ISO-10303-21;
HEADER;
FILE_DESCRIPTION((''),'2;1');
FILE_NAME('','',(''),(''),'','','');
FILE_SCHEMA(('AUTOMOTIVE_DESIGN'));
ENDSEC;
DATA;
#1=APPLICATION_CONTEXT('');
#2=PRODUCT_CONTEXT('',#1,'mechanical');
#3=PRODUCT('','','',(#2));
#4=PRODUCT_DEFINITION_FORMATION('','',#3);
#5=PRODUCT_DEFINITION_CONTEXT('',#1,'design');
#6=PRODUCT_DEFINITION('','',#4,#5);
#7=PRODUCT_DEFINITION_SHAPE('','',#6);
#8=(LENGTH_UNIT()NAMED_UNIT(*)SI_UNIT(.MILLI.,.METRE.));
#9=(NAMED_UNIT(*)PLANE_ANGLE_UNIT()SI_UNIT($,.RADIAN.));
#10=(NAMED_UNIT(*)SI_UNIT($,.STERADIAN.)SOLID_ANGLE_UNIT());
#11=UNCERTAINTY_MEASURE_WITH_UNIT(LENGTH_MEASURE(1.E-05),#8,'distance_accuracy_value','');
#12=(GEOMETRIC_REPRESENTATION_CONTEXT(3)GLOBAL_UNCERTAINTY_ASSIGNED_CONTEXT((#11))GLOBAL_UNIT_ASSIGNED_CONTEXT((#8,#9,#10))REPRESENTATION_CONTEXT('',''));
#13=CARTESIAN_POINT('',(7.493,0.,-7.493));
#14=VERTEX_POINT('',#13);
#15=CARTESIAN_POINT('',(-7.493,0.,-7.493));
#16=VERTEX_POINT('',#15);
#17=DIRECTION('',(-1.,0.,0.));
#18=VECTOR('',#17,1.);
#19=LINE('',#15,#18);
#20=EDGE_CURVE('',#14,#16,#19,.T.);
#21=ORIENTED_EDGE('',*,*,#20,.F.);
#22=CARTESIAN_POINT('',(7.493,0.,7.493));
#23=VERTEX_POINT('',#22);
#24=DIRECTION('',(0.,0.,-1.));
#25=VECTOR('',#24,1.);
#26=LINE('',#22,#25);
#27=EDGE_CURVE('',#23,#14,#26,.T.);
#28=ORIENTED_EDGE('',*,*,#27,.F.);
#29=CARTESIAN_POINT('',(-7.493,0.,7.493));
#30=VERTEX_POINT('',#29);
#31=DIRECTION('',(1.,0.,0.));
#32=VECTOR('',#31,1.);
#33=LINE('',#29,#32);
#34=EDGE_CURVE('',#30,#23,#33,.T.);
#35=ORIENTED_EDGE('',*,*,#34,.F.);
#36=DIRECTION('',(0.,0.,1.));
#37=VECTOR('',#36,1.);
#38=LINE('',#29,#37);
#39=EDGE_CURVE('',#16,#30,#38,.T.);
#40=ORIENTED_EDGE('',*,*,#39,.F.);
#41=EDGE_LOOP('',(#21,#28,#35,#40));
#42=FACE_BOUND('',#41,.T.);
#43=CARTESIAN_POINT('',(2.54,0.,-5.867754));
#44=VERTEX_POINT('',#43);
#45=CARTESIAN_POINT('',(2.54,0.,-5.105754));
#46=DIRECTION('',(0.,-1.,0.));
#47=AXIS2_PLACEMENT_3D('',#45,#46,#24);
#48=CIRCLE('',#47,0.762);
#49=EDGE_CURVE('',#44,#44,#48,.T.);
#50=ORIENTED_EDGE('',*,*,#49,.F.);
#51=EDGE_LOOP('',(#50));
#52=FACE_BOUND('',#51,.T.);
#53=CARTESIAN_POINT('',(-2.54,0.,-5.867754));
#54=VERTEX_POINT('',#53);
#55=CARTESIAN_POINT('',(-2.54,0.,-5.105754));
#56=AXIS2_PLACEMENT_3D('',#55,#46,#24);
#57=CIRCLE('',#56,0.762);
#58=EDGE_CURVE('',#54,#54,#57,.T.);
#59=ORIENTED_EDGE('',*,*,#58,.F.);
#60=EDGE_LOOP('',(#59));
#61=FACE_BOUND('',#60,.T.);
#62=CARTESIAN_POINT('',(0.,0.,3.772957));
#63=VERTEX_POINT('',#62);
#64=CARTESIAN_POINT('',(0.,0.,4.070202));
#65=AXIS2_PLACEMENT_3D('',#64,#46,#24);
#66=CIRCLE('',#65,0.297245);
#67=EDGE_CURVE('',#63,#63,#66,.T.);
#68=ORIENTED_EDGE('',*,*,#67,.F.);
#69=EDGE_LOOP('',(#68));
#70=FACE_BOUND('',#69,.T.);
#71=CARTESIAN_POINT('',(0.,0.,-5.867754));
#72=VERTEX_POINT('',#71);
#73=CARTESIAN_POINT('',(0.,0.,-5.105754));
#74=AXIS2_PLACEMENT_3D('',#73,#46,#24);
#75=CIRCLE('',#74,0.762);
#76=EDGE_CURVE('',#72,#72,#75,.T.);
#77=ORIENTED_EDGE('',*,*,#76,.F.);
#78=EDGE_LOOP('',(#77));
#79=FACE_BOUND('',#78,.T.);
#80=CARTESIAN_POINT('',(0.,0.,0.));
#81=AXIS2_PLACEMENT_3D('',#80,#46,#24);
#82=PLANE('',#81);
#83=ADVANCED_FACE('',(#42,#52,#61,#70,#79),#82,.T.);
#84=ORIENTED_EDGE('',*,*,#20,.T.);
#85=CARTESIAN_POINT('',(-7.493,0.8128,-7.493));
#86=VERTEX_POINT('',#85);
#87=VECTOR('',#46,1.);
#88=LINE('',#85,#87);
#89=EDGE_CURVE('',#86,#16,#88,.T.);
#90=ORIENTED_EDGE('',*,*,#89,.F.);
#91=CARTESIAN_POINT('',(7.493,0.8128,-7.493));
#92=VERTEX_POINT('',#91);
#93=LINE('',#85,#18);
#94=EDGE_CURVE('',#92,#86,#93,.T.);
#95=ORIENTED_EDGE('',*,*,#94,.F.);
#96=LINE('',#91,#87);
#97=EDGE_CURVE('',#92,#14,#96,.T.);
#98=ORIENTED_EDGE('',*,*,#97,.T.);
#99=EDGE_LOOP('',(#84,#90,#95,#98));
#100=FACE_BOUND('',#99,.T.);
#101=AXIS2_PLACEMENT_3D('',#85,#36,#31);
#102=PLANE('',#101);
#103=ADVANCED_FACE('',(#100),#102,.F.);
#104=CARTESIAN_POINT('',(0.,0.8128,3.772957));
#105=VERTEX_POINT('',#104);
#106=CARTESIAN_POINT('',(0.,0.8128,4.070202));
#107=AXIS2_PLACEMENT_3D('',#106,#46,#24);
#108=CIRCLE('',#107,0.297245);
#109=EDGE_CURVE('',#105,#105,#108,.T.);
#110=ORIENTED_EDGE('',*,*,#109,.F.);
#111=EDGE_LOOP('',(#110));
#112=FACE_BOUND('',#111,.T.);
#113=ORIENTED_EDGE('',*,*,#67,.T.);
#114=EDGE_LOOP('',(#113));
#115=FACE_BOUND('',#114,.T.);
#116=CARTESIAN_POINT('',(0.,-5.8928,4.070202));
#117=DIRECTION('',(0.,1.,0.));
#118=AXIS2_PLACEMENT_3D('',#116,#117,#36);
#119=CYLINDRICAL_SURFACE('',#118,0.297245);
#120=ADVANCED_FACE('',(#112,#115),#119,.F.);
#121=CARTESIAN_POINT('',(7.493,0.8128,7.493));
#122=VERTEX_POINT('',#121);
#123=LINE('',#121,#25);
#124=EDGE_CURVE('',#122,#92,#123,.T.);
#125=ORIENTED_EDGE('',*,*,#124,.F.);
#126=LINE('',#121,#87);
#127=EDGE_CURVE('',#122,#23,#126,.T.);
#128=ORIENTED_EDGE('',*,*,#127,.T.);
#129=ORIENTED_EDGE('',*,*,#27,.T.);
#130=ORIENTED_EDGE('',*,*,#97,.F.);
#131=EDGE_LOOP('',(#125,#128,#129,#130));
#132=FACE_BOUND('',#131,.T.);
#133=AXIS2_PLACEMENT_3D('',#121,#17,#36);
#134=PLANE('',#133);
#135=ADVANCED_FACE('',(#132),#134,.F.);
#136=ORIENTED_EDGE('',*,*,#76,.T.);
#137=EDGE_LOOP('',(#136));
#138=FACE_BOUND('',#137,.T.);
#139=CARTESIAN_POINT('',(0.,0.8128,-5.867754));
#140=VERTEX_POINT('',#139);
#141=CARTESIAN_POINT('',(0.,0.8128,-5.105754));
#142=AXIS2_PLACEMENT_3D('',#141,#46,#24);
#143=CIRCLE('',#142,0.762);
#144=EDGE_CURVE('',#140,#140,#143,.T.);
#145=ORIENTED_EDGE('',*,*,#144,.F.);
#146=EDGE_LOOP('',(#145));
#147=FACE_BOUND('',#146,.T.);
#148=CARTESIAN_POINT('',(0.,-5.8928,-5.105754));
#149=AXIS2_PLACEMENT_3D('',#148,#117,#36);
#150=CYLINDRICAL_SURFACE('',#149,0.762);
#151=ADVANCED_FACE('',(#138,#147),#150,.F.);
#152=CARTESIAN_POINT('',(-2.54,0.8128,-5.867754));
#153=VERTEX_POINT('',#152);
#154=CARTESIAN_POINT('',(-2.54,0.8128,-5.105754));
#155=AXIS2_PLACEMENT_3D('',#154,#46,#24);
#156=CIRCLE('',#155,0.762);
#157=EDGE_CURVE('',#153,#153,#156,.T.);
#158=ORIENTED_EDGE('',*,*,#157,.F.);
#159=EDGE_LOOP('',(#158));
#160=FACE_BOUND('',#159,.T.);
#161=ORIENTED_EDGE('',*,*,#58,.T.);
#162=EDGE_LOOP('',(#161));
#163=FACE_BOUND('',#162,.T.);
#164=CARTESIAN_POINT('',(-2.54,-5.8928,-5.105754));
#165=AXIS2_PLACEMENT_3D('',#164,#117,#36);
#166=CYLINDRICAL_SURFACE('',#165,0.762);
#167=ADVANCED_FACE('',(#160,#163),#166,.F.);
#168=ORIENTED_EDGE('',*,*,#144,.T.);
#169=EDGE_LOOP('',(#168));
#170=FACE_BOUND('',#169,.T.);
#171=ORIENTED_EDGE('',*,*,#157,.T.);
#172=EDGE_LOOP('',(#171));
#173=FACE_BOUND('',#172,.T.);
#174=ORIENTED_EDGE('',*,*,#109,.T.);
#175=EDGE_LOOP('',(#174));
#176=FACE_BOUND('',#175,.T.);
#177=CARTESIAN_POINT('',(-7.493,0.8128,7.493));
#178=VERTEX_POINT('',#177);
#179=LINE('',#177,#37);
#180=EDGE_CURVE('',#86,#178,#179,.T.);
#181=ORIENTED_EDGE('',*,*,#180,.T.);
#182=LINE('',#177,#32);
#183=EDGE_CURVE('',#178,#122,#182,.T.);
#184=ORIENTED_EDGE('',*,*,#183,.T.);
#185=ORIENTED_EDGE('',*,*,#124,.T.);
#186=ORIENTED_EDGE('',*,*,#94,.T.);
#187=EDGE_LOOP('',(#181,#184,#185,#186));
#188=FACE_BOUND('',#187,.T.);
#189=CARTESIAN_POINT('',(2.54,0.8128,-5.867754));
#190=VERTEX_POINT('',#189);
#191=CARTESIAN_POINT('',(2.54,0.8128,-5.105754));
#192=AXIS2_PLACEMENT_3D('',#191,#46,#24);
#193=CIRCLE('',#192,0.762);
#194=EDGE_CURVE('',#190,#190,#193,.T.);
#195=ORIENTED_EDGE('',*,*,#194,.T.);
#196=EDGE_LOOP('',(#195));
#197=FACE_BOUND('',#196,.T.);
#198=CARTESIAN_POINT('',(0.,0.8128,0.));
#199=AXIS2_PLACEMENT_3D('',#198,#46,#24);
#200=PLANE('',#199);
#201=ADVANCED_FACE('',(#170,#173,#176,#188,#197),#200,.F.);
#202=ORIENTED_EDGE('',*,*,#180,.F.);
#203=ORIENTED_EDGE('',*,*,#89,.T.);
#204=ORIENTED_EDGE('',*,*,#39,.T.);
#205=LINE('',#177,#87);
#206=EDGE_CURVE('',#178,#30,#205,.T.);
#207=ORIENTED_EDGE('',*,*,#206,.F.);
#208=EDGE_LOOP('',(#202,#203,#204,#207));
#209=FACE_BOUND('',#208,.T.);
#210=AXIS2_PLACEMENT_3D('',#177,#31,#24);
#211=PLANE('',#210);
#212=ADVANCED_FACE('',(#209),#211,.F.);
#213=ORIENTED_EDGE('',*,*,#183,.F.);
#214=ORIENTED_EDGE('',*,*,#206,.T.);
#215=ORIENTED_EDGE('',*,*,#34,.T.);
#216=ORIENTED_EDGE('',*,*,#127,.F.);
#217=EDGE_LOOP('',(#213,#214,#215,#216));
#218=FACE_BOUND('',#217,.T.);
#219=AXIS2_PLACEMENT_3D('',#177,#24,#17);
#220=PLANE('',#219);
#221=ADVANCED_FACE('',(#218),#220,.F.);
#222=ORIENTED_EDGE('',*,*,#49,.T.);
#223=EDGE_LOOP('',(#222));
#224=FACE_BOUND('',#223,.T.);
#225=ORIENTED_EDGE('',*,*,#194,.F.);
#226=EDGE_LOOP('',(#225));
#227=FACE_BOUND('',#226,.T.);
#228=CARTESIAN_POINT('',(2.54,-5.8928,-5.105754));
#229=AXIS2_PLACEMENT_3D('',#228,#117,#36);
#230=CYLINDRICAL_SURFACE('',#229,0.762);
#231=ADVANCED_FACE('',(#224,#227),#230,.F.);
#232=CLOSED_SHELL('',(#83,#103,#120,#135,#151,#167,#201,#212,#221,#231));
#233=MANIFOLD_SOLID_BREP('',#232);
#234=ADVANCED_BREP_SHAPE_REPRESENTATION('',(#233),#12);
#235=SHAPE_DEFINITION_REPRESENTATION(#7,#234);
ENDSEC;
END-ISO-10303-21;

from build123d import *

# Parameters (mm, degrees)
SKETCH1_W           = 14.986
SKETCH1_H           = 14.986
BOSS_EXTRUDE1_DEPTH = 0.8128
SKETCH2_R           = 0.762
SKETCH2_R_2         = 0.297244981
CUT_EXTRUDE1_DEPTH  = 8.4328


with BuildPart() as part:
    # Sketch1 → Boss-Extrude1 (new body)
    with BuildSketch(Plane(origin=(0, 0, 0), x_dir=(1, 0, 0), z_dir=(0, 1, 0))):
        Rectangle(SKETCH1_W, SKETCH1_H)
    extrude(amount=BOSS_EXTRUDE1_DEPTH)

    # Sketch2 → Cut-Extrude1 (cut)
    with BuildSketch(Plane(origin=(0, 2.54, 0), x_dir=(1, 0, 0), z_dir=(0, 1, 0))):
        with Locations((0, 5.10575448)):
            Circle(SKETCH2_R)
        with Locations((-2.54, 5.10575448)):
            Circle(SKETCH2_R)
        with Locations((2.54, 5.10575448)):
            Circle(SKETCH2_R)
        with Locations((0, -4.070202077)):
            Circle(SKETCH2_R_2)
    extrude(amount=-CUT_EXTRUDE1_DEPTH, mode=Mode.SUBTRACT)


solid = part.part
